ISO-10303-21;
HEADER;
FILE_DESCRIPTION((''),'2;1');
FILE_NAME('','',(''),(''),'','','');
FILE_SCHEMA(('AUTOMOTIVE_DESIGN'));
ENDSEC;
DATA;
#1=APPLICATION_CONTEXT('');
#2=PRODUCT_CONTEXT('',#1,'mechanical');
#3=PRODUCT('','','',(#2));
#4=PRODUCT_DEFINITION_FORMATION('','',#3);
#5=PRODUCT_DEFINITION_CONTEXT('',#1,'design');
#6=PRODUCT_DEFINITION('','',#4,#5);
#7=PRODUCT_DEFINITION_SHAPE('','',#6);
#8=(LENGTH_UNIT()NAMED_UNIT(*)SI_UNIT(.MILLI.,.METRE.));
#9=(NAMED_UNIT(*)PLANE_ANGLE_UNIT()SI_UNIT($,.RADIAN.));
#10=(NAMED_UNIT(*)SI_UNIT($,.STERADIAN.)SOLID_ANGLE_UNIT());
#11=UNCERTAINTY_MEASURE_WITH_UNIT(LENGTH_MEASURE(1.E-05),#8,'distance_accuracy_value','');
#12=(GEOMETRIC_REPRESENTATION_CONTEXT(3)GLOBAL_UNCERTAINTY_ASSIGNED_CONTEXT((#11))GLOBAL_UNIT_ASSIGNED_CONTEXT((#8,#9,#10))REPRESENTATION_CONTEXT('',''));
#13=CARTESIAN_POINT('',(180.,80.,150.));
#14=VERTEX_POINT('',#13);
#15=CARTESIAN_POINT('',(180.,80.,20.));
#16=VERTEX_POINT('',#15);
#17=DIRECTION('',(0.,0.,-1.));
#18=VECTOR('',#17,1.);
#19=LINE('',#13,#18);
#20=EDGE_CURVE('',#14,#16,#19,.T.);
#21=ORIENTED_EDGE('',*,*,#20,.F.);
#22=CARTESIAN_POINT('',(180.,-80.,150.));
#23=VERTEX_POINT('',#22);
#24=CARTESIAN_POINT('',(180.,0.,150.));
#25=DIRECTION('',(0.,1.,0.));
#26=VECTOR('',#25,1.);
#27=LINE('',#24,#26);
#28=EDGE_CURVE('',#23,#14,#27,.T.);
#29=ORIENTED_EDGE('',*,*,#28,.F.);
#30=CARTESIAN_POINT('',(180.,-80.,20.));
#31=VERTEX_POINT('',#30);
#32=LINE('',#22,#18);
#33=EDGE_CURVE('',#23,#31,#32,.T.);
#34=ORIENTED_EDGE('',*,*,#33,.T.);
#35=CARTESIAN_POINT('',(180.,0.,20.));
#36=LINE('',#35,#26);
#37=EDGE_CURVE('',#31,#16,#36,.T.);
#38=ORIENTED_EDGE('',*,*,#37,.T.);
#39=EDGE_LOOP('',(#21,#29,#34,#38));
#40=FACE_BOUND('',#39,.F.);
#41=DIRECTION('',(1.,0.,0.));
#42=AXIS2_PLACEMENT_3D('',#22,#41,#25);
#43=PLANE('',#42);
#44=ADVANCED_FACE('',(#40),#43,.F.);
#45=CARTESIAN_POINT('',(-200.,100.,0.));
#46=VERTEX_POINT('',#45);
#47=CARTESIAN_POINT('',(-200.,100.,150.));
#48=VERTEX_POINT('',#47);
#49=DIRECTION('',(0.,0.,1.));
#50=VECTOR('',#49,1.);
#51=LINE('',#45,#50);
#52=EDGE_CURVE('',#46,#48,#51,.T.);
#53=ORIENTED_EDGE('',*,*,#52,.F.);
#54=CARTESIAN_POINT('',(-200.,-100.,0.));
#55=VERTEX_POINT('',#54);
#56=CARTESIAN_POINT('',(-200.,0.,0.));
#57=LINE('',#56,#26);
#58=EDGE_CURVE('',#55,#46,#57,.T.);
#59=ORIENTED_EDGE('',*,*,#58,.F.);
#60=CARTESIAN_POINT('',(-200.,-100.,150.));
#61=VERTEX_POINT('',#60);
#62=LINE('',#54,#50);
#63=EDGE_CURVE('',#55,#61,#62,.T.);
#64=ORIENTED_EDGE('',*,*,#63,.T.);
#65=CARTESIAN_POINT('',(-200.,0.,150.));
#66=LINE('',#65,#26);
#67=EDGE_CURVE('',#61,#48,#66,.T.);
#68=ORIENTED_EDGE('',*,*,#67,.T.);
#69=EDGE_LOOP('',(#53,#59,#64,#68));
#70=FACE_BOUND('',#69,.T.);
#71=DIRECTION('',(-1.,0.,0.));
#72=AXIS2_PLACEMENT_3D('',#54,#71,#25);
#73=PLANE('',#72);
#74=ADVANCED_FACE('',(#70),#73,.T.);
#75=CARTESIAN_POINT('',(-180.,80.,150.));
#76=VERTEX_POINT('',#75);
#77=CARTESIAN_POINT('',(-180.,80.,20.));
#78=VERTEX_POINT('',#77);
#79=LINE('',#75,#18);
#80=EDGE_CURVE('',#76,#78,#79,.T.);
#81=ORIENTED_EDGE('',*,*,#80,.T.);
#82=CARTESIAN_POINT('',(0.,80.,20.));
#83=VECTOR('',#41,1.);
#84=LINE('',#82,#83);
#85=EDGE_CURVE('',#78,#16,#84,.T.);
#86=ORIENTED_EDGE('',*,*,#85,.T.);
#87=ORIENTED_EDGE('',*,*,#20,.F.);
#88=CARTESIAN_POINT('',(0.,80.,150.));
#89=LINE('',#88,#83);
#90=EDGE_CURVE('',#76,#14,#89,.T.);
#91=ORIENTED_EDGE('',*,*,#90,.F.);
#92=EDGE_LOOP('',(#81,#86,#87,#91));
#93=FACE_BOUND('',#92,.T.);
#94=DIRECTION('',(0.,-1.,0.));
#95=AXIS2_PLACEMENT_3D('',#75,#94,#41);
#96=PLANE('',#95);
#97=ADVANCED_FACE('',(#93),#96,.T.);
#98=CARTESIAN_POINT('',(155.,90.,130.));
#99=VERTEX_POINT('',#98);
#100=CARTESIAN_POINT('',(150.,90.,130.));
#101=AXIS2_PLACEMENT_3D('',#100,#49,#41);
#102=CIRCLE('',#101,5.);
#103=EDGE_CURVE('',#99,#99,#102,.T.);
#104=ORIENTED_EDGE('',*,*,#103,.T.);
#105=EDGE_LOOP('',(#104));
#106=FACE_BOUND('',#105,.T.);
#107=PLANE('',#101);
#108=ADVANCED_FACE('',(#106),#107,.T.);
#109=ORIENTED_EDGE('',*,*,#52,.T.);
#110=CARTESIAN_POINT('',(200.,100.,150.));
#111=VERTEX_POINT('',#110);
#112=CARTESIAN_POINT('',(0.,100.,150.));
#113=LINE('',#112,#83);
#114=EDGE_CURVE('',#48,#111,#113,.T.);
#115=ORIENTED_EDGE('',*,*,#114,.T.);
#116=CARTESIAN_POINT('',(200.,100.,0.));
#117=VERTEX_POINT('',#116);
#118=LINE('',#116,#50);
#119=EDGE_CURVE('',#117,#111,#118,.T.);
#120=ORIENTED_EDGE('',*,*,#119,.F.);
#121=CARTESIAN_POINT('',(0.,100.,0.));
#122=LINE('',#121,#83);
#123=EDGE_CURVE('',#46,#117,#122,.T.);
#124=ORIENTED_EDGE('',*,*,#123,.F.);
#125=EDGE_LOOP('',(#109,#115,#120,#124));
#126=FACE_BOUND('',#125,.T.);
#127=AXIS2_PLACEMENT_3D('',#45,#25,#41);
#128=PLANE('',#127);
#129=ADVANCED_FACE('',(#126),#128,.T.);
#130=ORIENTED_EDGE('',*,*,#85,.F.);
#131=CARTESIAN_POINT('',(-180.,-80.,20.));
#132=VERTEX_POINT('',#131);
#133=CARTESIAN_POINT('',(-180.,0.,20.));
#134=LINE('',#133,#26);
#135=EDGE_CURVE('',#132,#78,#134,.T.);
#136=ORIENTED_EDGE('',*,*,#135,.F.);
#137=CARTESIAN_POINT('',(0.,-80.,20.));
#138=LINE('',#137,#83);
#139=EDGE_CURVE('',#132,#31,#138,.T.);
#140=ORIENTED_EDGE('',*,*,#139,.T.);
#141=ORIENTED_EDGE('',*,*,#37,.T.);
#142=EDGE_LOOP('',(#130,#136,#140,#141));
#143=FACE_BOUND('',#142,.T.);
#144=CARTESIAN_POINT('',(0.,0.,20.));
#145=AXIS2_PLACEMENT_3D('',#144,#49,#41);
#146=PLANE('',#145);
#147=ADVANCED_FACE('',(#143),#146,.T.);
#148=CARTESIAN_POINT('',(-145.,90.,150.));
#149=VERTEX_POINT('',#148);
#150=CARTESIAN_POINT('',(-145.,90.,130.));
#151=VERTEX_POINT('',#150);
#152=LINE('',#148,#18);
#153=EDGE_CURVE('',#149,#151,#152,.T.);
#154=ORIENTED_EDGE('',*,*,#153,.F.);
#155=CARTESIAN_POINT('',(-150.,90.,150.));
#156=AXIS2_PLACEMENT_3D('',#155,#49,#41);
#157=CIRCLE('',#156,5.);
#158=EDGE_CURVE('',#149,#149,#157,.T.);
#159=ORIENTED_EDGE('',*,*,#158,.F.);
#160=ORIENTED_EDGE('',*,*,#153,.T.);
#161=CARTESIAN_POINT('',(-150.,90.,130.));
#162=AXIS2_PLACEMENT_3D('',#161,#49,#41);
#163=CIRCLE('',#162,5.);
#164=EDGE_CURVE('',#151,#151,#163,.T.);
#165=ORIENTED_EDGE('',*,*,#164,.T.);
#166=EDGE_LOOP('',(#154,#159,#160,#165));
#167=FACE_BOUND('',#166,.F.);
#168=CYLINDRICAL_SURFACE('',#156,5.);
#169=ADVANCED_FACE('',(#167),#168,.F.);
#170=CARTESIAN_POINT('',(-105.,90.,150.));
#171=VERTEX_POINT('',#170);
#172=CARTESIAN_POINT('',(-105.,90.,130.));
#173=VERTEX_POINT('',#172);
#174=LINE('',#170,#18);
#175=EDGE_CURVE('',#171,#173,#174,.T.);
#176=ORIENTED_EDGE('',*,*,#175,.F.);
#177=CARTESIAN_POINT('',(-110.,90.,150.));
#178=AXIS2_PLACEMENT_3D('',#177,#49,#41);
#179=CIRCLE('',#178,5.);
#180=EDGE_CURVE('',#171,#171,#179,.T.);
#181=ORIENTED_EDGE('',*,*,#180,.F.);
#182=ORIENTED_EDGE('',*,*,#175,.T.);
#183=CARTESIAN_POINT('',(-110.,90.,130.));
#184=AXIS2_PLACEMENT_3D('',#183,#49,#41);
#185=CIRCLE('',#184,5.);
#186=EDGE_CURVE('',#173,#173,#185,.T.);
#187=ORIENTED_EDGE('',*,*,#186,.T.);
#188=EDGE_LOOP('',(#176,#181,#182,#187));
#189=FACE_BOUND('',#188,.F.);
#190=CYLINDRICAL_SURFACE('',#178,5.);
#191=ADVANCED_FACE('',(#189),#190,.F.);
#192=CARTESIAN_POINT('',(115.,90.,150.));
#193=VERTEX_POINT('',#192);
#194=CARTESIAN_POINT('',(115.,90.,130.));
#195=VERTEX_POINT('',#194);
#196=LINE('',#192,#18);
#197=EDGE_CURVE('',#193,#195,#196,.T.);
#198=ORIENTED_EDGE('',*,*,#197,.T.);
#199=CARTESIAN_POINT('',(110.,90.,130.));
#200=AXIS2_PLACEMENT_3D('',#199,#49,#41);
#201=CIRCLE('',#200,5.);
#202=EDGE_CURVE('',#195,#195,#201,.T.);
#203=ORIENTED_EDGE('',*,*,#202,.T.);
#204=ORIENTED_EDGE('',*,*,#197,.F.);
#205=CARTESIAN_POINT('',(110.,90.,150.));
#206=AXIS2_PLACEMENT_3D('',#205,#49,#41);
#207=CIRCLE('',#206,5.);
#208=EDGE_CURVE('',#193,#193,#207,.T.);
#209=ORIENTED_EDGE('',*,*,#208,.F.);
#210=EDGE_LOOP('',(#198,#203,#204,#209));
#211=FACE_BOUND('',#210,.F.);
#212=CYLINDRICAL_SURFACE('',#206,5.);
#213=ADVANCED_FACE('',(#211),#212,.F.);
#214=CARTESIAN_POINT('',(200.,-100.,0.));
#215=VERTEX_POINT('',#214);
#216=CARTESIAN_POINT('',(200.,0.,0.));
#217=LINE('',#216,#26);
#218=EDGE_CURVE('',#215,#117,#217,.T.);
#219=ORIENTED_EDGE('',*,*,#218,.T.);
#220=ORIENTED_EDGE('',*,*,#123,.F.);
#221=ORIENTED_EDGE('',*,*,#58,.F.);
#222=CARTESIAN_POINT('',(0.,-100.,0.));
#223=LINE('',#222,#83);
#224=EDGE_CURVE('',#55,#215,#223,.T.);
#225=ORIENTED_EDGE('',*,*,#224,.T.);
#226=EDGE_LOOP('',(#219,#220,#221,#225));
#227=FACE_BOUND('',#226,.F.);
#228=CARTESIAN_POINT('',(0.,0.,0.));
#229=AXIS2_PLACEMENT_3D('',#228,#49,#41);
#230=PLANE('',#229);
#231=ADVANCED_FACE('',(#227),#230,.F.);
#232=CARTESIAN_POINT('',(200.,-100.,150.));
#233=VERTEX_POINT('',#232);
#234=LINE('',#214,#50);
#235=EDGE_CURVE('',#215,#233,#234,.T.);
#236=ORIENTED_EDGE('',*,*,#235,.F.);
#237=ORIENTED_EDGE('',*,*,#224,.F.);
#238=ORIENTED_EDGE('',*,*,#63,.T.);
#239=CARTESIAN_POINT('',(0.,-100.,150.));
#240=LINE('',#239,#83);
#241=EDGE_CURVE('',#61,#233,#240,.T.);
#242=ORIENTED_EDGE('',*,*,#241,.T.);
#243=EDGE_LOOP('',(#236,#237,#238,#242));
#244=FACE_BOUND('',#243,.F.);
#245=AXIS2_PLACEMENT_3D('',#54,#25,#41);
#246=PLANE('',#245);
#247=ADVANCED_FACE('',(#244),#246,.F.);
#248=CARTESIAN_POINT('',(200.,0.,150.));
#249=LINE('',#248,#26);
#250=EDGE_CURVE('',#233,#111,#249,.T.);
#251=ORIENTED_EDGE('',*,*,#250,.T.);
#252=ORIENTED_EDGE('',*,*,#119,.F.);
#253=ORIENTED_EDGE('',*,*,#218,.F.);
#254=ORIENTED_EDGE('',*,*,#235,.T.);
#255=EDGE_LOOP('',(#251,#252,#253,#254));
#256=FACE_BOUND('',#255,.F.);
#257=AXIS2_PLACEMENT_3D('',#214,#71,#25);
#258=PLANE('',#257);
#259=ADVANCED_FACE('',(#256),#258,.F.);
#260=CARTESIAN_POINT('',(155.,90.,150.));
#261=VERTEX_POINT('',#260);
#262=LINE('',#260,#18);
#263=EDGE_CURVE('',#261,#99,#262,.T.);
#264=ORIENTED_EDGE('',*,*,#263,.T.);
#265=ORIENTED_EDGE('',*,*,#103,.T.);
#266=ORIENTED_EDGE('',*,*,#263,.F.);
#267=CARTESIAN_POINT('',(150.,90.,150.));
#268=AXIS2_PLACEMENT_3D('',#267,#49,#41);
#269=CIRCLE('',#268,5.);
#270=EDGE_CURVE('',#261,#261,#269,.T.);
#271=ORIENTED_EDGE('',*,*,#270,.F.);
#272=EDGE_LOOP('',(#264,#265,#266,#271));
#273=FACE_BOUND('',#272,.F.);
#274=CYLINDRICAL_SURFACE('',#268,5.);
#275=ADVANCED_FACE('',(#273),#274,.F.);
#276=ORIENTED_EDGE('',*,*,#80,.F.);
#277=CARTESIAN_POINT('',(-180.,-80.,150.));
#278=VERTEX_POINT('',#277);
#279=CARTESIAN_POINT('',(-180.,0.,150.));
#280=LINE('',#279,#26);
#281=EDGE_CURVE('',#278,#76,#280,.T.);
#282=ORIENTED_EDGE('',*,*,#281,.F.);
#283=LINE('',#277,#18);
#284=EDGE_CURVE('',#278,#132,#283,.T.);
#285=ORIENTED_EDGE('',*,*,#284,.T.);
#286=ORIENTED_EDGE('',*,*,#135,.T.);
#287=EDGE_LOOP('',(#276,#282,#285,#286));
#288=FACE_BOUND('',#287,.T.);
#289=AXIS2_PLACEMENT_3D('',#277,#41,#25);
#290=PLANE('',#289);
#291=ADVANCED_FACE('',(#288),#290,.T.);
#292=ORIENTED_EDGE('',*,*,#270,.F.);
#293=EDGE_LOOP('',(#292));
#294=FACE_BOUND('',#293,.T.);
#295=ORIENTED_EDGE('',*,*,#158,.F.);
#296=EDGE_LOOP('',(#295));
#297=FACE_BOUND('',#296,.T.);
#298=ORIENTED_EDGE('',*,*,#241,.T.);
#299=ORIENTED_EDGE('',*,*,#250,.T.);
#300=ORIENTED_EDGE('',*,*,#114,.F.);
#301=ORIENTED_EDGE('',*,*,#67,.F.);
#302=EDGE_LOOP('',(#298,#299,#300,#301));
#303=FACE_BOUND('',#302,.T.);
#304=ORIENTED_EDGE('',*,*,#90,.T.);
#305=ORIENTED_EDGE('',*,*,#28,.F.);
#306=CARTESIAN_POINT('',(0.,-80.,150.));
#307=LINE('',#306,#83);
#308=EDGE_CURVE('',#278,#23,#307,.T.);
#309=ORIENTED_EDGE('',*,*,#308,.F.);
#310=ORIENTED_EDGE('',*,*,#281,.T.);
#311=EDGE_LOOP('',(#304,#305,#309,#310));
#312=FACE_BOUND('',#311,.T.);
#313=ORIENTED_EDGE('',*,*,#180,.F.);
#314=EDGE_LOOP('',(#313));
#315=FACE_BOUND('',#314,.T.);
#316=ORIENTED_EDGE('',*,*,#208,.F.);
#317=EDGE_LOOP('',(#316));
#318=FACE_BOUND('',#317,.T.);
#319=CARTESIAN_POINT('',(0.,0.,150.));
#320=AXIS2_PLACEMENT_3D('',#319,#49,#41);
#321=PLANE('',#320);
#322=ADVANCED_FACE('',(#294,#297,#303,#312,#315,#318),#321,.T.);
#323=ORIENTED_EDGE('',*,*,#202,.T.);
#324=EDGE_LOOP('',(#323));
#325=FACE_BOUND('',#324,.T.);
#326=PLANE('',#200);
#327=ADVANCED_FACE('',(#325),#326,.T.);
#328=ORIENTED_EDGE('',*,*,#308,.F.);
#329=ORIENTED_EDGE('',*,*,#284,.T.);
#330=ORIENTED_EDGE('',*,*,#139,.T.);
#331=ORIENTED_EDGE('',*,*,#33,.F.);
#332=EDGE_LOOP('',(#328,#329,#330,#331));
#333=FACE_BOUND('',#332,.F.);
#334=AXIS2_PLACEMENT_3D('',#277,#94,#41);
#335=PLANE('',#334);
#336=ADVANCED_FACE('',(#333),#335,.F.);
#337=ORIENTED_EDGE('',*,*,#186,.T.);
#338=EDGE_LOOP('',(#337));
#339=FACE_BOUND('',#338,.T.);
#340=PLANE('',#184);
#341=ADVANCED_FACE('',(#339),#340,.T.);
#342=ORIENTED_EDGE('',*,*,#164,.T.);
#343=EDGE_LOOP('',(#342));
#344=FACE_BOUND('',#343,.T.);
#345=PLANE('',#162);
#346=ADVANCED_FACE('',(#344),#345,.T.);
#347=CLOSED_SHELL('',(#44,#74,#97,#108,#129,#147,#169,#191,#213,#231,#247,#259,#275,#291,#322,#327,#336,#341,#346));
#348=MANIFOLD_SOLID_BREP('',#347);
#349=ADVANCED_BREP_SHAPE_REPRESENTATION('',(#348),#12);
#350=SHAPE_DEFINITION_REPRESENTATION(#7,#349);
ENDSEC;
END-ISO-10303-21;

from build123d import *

# Parameters (mm, degrees)
F0_W     = 400
F0_H     = 200
F1_DEPTH = 150
F2_W     = 360
F2_H     = 160
F3_DEPTH = 130
F4_R     = 5
F5_DEPTH = 20


with BuildPart() as f1:
    # F0 (on Top) → F1 (new body)
    with BuildSketch(Plane.XY):
        Rectangle(F0_W, F0_H)
    extrude(amount=F1_DEPTH)

    # F2 (on face) → F3 (cut)
    with BuildSketch(Plane.XY.offset(150)):
        Rectangle(F2_W, F2_H)
    extrude(amount=-F3_DEPTH, mode=Mode.SUBTRACT)

    # F4 (on face) → F5 (cut)
    with BuildSketch(Plane.XY.offset(150)):
        with Locations((-150, 90)):
            Circle(F4_R)
        with Locations((-110, 90)):
            Circle(F4_R)
        with Locations((110, 90)):
            Circle(F4_R)
        with Locations((150, 90)):
            Circle(F4_R)
    extrude(amount=-F5_DEPTH, mode=Mode.SUBTRACT)


solid = f1.part
